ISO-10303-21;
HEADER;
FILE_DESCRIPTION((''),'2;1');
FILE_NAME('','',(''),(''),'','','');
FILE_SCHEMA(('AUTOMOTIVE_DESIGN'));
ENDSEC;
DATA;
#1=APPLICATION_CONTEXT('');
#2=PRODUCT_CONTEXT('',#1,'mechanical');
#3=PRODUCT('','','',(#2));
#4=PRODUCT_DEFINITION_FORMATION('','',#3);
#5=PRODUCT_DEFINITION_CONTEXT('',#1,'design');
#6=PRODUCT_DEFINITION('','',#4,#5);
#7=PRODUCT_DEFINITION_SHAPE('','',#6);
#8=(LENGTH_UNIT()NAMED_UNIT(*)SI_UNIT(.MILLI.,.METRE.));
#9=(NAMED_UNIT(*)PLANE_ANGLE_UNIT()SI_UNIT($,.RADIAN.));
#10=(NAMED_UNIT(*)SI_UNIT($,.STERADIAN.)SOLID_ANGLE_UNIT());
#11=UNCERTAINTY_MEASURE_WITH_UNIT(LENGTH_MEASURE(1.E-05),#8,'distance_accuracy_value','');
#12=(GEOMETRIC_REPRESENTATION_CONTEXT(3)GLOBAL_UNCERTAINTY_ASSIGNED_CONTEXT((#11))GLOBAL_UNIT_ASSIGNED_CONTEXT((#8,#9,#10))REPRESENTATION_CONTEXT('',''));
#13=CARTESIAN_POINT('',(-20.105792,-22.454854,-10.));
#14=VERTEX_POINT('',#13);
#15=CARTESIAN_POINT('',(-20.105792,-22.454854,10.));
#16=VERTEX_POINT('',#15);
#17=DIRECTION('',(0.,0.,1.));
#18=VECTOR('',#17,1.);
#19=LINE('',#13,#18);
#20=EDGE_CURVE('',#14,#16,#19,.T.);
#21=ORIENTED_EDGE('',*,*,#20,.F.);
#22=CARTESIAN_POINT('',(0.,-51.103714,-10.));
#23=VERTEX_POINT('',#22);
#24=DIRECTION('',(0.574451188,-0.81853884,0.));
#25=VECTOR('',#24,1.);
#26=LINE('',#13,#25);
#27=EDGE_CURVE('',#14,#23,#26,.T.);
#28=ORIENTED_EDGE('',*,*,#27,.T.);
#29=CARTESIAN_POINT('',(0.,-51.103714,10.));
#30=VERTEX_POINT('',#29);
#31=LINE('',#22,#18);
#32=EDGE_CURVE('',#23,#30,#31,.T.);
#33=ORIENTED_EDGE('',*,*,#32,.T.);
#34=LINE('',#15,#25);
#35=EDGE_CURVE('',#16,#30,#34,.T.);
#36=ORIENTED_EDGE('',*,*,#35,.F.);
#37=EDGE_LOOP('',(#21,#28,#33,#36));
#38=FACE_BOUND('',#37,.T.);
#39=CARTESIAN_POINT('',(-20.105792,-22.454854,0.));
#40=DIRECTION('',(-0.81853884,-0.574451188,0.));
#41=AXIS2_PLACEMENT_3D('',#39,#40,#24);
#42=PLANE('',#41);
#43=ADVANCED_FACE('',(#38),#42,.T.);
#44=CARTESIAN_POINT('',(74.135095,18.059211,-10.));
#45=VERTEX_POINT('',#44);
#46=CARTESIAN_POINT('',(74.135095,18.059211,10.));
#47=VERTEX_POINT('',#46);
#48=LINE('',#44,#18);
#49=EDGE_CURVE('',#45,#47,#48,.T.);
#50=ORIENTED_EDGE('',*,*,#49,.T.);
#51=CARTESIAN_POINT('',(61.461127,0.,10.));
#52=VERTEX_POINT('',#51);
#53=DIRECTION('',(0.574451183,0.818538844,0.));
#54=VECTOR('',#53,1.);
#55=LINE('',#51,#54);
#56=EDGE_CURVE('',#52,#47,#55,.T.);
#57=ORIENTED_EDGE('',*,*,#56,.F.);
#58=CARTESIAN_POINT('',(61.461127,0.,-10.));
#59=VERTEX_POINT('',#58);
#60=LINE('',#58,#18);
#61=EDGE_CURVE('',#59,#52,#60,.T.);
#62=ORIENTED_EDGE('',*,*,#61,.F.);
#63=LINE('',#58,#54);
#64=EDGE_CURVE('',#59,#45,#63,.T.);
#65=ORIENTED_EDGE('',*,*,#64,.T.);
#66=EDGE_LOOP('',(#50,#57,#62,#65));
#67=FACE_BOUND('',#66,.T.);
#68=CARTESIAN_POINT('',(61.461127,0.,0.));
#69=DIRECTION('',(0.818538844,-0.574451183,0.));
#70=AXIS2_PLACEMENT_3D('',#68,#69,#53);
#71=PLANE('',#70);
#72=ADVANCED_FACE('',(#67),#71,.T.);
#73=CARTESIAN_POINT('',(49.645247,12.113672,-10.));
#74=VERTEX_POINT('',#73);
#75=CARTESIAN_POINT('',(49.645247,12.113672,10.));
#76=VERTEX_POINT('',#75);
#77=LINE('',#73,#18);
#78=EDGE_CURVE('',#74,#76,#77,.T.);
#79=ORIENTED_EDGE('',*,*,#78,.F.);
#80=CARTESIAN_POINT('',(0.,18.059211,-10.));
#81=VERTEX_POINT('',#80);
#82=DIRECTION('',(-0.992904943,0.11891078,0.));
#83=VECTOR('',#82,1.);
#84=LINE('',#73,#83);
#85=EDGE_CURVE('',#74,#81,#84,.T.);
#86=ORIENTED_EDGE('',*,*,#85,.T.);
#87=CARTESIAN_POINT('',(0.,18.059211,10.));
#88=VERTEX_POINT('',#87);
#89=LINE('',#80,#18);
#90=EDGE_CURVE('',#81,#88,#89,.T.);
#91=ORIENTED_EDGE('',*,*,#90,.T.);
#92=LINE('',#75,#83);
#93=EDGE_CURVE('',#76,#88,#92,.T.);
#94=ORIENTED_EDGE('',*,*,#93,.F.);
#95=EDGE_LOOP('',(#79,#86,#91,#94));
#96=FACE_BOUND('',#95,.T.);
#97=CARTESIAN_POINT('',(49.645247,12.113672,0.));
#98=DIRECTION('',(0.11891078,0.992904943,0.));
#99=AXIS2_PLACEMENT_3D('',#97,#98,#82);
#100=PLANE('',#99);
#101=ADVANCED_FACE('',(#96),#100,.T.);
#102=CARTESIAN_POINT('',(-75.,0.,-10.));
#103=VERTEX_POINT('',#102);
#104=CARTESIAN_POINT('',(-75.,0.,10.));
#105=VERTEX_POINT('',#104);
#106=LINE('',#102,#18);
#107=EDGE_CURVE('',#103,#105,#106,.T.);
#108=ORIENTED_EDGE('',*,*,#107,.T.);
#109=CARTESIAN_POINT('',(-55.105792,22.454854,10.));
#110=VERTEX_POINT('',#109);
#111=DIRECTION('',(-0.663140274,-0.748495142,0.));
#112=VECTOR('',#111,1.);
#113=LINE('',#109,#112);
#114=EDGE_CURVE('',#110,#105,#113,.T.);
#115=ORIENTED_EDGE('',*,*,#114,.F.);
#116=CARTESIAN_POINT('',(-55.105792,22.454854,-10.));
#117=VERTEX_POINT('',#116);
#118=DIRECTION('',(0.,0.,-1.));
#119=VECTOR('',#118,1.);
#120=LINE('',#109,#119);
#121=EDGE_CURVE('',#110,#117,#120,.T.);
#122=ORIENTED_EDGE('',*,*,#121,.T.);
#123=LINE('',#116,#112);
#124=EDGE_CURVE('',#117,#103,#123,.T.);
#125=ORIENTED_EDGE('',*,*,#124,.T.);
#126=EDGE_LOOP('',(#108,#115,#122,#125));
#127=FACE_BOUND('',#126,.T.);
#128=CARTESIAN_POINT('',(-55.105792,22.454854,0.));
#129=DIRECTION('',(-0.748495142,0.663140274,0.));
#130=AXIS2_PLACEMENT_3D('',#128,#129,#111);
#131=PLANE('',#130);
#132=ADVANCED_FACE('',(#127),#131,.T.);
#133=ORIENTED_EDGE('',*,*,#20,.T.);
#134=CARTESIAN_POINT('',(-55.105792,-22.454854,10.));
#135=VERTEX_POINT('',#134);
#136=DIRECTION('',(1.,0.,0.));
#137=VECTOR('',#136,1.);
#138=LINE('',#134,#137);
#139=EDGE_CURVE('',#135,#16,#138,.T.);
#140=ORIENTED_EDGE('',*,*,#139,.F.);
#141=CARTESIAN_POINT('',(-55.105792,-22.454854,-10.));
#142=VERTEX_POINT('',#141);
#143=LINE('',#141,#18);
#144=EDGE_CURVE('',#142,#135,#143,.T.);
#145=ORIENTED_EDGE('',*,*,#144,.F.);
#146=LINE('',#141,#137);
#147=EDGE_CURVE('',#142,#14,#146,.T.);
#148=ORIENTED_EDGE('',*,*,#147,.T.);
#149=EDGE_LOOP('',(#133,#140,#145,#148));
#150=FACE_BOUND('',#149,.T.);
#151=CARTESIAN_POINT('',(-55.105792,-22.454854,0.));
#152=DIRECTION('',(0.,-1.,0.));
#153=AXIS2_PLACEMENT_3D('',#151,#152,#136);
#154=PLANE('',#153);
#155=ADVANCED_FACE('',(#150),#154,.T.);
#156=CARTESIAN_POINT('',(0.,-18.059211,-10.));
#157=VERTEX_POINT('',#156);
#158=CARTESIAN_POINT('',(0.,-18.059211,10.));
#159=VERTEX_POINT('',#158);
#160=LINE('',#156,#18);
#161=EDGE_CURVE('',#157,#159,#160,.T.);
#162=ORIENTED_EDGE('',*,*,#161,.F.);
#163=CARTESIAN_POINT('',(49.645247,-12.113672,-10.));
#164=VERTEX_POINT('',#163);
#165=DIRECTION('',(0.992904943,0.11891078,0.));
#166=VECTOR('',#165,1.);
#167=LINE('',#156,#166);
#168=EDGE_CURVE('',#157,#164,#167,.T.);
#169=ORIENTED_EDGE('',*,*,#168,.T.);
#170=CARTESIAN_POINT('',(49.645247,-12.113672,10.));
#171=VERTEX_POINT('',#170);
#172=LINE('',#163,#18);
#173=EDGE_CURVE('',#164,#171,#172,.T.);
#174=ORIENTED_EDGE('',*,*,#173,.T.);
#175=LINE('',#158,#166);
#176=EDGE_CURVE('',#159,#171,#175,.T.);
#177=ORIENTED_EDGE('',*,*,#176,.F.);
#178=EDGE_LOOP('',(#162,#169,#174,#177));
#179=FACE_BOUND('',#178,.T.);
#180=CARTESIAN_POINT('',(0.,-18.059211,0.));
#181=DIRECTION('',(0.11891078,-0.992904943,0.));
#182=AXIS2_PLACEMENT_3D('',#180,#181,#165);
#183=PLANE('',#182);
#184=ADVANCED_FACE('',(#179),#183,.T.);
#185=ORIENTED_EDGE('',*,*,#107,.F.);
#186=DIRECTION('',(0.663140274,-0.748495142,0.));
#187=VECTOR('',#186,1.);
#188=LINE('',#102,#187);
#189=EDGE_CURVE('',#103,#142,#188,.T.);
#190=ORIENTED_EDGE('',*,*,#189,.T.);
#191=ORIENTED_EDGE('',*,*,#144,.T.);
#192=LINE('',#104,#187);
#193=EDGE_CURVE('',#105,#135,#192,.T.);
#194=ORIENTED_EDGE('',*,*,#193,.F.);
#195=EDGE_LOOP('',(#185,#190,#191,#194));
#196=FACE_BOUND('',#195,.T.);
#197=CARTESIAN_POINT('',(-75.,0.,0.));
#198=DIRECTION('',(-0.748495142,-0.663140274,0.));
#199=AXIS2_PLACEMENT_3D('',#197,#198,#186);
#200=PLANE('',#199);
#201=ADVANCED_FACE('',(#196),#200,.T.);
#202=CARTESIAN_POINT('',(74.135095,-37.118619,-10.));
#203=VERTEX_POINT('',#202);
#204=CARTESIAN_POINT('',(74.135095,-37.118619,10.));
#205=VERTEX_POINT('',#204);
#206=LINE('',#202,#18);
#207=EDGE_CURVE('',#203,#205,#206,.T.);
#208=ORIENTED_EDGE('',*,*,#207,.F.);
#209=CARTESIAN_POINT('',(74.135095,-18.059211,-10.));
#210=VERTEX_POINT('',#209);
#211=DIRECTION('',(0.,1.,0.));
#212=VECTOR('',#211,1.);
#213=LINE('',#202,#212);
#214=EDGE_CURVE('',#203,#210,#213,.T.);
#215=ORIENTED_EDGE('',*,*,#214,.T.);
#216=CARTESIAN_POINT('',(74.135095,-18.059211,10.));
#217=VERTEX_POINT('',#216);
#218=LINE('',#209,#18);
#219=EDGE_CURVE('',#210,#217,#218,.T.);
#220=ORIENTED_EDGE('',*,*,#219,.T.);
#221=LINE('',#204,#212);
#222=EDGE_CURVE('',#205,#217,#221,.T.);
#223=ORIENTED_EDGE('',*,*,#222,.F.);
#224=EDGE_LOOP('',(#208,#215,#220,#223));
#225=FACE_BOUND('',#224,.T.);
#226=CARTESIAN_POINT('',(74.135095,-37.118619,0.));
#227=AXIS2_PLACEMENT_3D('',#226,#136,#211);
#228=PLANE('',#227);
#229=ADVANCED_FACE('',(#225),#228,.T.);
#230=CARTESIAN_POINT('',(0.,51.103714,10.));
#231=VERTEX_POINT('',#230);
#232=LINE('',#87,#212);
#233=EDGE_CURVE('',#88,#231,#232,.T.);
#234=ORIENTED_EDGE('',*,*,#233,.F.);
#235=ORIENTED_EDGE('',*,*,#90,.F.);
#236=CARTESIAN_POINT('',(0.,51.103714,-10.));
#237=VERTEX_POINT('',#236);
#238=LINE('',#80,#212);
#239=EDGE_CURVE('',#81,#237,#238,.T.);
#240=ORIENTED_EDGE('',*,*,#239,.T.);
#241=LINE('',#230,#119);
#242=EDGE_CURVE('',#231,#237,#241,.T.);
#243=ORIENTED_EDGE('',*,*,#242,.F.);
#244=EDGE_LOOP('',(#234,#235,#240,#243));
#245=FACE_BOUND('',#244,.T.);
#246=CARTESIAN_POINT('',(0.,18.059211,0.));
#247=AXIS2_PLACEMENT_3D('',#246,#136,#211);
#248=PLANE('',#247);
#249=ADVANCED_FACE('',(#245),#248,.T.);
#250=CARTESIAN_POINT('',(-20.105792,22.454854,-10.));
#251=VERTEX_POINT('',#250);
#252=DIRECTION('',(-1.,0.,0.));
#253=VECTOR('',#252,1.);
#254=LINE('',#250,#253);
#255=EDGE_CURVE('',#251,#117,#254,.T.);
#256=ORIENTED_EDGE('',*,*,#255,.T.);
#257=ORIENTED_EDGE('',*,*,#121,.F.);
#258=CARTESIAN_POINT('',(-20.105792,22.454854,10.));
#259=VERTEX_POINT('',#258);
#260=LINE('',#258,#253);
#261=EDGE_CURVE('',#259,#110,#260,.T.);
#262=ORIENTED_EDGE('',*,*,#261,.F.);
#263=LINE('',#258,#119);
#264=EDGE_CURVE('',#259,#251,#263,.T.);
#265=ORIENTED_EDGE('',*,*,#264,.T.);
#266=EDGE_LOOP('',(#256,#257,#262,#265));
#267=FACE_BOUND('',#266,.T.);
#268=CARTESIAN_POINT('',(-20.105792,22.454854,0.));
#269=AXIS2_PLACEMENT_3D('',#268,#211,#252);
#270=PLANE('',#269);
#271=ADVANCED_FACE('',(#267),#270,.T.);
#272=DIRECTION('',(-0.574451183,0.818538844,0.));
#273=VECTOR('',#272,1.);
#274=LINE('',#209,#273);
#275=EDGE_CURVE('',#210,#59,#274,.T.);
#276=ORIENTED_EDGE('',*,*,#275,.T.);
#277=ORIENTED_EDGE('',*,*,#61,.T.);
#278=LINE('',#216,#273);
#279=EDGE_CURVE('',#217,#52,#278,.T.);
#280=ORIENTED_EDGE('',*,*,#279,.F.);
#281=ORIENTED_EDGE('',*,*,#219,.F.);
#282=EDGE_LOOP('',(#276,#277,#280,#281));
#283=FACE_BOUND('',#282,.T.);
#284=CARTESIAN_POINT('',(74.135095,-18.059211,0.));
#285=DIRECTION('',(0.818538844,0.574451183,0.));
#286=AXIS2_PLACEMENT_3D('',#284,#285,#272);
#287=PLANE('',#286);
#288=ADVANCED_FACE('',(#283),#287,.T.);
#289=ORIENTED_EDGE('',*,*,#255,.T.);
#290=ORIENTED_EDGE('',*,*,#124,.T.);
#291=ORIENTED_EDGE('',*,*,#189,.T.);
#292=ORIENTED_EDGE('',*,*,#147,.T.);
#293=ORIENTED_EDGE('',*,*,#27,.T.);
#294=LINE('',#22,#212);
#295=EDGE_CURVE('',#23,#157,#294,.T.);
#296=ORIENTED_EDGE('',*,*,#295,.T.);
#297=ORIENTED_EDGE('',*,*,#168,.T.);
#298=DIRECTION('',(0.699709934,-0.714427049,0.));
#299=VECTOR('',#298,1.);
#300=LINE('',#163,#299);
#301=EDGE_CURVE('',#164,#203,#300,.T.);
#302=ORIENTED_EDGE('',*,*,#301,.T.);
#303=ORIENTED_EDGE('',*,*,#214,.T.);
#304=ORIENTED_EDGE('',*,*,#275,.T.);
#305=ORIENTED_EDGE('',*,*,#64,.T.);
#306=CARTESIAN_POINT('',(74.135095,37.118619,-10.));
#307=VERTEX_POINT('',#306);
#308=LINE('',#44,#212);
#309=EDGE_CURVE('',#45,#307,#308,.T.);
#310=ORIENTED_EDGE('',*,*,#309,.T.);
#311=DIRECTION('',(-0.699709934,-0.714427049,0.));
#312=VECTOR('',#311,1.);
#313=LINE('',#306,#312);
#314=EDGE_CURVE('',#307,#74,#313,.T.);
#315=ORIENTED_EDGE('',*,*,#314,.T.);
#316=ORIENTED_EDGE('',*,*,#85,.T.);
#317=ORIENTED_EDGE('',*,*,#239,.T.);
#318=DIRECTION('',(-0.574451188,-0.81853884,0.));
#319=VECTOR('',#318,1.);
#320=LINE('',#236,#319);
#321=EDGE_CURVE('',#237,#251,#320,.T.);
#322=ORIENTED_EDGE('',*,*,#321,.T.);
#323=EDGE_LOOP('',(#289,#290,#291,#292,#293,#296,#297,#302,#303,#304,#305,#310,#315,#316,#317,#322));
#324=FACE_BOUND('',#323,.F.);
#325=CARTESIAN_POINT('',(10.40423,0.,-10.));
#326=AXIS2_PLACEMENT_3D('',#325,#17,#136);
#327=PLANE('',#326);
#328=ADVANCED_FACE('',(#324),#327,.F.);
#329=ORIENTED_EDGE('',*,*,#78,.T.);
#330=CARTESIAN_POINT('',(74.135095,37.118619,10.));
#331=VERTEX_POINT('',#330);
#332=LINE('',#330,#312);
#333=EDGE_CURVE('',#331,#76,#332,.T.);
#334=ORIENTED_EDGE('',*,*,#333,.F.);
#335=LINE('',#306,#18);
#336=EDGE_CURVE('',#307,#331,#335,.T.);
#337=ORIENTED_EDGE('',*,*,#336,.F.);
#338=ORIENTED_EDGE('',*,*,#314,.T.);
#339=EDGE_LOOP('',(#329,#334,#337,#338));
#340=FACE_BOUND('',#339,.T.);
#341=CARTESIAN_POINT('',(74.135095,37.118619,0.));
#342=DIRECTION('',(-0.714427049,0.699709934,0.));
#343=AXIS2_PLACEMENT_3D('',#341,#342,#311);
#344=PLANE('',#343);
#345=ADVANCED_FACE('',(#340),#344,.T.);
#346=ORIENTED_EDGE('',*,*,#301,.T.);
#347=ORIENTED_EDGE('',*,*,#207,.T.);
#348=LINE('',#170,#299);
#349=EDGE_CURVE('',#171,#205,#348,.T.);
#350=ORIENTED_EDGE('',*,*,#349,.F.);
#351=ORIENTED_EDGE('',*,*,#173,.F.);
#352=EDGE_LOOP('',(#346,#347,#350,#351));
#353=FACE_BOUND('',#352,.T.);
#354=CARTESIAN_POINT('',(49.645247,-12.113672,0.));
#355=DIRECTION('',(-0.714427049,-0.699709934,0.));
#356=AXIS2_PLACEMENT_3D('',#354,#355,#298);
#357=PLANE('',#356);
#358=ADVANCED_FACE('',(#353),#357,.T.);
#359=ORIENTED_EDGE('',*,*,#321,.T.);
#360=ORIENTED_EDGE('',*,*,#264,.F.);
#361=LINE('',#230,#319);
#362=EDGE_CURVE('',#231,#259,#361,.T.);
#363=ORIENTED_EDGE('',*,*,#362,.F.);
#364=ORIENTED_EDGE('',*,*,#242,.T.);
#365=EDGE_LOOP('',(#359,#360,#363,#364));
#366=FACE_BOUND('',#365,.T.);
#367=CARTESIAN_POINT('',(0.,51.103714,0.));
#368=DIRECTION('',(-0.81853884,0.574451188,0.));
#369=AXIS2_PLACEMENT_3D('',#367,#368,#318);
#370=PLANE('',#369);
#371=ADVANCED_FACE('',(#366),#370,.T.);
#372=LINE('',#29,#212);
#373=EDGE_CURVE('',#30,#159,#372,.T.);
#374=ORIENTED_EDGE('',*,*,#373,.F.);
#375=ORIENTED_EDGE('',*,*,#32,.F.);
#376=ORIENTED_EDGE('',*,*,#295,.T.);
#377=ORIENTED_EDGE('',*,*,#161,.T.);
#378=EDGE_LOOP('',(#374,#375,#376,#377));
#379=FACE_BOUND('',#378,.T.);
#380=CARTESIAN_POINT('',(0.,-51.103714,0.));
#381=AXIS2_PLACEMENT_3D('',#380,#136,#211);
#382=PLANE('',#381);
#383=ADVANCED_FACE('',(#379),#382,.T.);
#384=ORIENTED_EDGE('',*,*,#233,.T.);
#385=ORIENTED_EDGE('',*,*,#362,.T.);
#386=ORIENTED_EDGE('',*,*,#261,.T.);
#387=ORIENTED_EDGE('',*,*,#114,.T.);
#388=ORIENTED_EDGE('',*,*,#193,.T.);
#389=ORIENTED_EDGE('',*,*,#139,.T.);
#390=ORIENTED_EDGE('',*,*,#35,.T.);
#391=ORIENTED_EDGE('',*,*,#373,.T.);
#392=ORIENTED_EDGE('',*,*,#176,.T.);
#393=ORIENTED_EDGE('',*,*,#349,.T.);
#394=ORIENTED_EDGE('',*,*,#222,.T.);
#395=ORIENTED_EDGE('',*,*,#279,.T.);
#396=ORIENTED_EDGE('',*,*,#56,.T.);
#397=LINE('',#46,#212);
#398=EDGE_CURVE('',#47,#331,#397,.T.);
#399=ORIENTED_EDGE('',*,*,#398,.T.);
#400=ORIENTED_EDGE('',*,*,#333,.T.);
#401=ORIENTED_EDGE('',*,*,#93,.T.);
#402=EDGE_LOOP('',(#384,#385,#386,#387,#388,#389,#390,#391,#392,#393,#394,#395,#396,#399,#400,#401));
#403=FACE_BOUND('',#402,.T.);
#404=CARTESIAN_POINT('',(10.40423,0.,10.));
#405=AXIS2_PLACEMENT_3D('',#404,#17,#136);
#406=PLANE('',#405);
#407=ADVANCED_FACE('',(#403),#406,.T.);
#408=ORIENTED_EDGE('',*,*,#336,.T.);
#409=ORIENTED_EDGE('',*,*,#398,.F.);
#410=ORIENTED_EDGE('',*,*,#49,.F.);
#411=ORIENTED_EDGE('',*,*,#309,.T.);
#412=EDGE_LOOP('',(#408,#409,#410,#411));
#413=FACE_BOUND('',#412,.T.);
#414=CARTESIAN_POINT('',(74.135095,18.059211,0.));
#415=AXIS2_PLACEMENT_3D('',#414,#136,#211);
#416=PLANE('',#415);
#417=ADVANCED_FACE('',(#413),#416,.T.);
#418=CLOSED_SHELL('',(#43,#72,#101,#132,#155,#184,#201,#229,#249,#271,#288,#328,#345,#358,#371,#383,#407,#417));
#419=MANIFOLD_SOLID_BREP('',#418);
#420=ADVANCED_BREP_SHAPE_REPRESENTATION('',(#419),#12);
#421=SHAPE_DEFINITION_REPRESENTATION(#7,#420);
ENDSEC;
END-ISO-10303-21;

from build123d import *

# Parameters (mm, degrees)
F1_DEPTH = 10


with BuildPart() as f1:
    # F0 (on Top) → F1 (new body, symmetric)
    with BuildSketch(Plane.XY):
        Polygon((-55.105792, 22.454854), (-75, 0), (-55.105792, -22.454854), (-20.105792, -22.454854), (0, -51.103714), (0, -18.059211), (49.645247, -12.113672), (74.135095, -37.118619), (74.135095, -18.059211), (61.461127, 0), (74.135095, 18.059211), (74.135095, 37.118619), (49.645247, 12.113672), (0, 18.059211), (0, 51.103714), (-20.105792, 22.454854), align=None)
    extrude(amount=F1_DEPTH, both=True)


solid = f1.part
